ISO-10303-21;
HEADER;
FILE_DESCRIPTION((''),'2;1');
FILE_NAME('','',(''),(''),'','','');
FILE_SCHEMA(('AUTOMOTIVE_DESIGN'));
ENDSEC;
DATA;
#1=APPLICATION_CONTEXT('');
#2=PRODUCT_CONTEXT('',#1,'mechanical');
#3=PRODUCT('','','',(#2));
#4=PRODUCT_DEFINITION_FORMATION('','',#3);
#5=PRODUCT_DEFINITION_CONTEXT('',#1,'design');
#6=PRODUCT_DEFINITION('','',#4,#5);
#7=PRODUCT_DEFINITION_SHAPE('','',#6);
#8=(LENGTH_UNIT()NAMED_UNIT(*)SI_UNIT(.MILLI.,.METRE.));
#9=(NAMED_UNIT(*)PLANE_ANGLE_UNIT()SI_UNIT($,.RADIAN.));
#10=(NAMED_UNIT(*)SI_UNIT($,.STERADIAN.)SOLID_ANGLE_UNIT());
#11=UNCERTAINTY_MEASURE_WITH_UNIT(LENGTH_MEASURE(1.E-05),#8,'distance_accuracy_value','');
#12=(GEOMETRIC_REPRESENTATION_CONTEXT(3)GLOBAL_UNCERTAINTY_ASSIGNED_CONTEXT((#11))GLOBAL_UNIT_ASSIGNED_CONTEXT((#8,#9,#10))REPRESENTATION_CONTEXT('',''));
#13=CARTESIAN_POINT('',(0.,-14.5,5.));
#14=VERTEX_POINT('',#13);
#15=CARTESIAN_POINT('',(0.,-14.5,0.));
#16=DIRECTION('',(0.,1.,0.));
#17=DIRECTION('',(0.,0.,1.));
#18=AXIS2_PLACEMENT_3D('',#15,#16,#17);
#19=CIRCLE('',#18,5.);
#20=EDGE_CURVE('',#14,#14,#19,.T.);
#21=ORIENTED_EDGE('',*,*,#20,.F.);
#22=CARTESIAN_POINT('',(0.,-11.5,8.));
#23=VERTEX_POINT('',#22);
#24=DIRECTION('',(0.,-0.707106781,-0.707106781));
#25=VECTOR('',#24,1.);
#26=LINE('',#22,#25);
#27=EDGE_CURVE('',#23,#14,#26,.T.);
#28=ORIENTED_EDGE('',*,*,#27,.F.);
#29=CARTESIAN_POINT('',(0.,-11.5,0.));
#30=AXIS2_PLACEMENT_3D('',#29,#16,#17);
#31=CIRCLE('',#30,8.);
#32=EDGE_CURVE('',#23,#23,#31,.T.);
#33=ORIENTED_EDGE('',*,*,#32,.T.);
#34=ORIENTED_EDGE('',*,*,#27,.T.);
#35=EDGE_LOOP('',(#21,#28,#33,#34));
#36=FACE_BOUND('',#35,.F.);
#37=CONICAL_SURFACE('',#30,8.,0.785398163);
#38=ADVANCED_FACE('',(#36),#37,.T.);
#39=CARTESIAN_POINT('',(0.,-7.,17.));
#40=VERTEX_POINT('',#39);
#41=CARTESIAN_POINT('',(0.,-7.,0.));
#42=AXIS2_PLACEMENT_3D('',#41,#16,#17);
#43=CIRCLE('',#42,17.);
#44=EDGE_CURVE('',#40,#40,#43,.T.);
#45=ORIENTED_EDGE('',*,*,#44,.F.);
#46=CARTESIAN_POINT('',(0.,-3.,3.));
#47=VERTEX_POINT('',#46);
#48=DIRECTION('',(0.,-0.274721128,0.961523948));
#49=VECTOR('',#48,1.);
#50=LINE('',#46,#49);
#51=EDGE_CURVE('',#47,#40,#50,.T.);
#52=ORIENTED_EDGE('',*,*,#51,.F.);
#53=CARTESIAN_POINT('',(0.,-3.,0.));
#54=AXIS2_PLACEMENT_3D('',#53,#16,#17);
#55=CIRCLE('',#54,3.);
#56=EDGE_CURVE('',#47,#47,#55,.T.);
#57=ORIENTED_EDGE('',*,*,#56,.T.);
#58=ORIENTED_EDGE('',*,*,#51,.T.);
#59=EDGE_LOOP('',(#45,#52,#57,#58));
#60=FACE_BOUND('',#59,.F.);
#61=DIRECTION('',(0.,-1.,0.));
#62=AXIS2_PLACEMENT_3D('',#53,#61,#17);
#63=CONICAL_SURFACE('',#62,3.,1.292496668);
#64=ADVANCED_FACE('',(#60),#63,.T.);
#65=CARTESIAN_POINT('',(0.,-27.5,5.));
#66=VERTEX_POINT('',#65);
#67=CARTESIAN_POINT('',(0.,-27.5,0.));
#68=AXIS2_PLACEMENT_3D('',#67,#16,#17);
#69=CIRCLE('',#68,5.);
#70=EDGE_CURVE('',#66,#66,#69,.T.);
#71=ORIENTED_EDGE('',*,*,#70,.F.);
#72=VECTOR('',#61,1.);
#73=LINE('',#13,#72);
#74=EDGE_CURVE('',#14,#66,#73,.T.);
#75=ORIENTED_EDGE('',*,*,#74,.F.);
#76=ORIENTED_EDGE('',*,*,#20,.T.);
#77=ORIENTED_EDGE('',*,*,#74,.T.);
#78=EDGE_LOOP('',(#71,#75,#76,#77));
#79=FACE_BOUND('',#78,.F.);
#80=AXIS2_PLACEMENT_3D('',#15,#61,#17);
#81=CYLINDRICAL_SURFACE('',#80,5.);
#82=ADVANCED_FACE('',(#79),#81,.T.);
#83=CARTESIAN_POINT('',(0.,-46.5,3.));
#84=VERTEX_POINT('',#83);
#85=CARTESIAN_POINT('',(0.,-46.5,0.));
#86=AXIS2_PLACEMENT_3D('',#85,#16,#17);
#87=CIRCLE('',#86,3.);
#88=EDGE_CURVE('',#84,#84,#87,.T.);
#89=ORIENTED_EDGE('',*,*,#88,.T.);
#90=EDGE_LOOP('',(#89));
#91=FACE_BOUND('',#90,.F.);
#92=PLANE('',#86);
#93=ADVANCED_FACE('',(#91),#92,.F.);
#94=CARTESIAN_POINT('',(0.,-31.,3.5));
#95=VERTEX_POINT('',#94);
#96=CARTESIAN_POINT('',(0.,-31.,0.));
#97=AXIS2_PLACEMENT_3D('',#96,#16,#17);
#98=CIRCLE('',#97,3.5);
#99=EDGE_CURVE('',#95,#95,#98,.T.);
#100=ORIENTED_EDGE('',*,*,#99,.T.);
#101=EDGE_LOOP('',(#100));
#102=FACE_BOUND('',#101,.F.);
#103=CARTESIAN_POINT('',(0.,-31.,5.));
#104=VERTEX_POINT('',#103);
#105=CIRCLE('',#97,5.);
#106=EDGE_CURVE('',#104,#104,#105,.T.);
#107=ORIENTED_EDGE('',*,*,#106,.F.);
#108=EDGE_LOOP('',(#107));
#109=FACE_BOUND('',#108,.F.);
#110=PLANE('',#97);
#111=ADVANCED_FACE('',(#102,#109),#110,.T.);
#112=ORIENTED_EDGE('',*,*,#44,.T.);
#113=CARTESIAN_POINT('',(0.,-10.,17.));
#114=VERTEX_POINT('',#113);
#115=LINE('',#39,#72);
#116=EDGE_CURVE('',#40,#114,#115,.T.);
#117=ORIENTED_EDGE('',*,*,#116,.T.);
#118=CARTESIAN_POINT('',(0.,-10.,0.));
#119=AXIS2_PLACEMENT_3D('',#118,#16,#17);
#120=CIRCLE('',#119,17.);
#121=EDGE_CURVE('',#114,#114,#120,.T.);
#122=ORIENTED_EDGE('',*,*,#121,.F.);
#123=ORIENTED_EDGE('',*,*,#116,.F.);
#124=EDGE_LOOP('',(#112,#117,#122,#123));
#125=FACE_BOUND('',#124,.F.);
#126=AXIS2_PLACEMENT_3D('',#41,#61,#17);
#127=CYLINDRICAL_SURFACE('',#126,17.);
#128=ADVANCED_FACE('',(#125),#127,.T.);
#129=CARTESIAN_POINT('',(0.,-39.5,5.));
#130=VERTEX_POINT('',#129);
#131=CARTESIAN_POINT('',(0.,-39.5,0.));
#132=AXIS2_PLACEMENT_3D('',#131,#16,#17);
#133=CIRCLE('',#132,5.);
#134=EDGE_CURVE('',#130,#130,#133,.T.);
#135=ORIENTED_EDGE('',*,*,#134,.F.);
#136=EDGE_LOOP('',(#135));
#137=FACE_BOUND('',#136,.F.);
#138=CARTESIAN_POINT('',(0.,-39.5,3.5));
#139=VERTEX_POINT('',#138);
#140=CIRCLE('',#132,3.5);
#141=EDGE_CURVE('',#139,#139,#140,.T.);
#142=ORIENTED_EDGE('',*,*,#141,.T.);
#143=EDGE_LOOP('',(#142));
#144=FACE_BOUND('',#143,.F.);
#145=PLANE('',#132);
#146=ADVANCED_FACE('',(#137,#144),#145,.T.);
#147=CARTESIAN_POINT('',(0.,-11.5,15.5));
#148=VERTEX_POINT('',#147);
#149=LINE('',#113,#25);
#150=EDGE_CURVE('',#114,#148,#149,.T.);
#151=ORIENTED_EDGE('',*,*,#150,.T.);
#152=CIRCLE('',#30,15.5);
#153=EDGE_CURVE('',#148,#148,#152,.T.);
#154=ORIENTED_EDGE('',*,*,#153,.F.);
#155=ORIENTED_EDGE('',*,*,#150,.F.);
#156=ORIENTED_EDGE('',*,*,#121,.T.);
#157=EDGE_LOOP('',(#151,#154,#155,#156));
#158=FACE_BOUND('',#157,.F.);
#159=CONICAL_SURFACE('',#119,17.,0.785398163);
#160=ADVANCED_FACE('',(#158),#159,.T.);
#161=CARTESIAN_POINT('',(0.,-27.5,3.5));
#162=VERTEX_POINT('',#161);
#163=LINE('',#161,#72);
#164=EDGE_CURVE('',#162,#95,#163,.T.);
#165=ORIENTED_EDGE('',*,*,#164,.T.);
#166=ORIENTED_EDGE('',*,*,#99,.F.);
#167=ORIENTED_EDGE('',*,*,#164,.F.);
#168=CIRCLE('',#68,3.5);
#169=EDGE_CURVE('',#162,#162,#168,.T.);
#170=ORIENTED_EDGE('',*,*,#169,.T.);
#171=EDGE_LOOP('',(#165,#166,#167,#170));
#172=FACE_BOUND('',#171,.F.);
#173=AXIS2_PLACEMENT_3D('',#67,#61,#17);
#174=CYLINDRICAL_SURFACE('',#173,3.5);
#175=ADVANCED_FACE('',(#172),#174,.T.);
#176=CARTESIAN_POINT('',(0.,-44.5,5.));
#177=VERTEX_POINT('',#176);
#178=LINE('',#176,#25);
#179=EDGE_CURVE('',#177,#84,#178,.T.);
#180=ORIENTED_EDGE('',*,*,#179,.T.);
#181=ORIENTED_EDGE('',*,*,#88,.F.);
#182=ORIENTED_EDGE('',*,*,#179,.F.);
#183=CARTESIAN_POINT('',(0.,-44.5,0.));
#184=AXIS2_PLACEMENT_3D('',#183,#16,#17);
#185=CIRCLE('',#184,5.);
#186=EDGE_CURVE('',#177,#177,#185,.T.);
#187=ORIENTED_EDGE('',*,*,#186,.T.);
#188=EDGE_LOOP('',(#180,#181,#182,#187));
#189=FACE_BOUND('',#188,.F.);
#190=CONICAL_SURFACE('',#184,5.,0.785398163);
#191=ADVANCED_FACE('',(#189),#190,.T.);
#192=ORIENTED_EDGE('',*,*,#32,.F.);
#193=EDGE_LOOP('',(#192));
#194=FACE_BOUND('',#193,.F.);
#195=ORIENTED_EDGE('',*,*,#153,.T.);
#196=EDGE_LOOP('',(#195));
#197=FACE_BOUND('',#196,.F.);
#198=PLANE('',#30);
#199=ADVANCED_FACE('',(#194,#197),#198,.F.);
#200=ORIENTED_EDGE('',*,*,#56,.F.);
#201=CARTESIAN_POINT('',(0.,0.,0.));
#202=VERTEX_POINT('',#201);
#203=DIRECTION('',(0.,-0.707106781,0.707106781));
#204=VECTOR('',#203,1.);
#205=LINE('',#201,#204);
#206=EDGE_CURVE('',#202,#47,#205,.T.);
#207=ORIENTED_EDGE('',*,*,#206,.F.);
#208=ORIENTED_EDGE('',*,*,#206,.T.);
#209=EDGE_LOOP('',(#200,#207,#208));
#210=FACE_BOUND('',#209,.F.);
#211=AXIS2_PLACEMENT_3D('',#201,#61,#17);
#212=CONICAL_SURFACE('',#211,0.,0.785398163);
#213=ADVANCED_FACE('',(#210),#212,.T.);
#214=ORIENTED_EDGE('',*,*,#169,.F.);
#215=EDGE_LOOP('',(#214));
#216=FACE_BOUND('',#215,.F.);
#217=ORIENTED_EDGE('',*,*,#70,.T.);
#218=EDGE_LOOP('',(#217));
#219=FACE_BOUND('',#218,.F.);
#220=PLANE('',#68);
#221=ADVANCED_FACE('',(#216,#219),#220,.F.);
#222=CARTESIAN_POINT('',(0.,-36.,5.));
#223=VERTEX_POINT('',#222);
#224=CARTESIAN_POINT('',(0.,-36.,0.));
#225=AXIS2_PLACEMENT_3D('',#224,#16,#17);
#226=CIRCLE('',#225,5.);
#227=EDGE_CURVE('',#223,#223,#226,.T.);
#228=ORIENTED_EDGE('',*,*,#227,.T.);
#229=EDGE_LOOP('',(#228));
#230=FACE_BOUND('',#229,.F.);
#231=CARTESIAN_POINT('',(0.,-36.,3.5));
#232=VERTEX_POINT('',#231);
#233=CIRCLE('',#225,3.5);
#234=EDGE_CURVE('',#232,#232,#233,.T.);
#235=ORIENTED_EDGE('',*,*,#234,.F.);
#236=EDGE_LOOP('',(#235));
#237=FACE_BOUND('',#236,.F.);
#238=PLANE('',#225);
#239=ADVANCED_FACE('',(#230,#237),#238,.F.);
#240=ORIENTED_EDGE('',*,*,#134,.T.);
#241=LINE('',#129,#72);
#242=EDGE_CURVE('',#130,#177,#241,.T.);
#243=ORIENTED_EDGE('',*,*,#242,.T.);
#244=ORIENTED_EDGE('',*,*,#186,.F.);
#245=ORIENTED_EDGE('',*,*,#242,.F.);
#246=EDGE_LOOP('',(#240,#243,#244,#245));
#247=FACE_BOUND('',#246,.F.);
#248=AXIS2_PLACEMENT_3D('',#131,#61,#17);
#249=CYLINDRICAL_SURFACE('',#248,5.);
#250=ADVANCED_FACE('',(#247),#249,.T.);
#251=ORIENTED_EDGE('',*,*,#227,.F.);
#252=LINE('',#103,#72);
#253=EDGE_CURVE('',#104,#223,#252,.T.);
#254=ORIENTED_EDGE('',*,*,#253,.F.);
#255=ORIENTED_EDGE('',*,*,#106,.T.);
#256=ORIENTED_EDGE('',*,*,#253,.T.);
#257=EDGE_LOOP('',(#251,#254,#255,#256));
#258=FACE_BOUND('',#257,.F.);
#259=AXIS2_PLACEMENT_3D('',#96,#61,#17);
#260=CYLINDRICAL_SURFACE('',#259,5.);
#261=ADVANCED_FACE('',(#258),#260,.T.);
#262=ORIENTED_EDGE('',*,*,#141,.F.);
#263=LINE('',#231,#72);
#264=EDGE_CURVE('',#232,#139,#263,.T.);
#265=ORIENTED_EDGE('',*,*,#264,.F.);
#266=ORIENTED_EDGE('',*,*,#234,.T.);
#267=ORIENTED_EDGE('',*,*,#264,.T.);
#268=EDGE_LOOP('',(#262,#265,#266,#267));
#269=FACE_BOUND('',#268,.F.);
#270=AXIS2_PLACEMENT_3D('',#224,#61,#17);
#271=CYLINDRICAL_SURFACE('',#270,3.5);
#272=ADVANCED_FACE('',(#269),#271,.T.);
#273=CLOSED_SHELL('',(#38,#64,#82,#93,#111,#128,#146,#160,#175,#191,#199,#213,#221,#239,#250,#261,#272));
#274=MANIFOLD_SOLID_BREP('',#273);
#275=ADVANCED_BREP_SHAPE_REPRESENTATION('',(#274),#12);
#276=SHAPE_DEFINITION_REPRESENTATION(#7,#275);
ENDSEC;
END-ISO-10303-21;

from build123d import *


with BuildPart() as f1:
    # F0 (on Right) → F1 (revolve)
    with BuildSketch(Plane.YZ):
        Polygon((-3, 3), (-7, 17), (-10, 17), (-11.5, 15.5), (-11.5, 8), (-14.5, 5), (-27.5, 5), (-27.5, 3.5), (-31, 3.5), (-31, 5), (-36, 5), (-36, 3.5), (-39.5, 3.5), (-39.5, 5), (-44.5, 5), (-46.5, 3), (-46.5, 0), (0, 0), align=None)
    revolve(axis=Axis((0, -23.25, 0), (0, 1, 0)))


solid = f1.part
